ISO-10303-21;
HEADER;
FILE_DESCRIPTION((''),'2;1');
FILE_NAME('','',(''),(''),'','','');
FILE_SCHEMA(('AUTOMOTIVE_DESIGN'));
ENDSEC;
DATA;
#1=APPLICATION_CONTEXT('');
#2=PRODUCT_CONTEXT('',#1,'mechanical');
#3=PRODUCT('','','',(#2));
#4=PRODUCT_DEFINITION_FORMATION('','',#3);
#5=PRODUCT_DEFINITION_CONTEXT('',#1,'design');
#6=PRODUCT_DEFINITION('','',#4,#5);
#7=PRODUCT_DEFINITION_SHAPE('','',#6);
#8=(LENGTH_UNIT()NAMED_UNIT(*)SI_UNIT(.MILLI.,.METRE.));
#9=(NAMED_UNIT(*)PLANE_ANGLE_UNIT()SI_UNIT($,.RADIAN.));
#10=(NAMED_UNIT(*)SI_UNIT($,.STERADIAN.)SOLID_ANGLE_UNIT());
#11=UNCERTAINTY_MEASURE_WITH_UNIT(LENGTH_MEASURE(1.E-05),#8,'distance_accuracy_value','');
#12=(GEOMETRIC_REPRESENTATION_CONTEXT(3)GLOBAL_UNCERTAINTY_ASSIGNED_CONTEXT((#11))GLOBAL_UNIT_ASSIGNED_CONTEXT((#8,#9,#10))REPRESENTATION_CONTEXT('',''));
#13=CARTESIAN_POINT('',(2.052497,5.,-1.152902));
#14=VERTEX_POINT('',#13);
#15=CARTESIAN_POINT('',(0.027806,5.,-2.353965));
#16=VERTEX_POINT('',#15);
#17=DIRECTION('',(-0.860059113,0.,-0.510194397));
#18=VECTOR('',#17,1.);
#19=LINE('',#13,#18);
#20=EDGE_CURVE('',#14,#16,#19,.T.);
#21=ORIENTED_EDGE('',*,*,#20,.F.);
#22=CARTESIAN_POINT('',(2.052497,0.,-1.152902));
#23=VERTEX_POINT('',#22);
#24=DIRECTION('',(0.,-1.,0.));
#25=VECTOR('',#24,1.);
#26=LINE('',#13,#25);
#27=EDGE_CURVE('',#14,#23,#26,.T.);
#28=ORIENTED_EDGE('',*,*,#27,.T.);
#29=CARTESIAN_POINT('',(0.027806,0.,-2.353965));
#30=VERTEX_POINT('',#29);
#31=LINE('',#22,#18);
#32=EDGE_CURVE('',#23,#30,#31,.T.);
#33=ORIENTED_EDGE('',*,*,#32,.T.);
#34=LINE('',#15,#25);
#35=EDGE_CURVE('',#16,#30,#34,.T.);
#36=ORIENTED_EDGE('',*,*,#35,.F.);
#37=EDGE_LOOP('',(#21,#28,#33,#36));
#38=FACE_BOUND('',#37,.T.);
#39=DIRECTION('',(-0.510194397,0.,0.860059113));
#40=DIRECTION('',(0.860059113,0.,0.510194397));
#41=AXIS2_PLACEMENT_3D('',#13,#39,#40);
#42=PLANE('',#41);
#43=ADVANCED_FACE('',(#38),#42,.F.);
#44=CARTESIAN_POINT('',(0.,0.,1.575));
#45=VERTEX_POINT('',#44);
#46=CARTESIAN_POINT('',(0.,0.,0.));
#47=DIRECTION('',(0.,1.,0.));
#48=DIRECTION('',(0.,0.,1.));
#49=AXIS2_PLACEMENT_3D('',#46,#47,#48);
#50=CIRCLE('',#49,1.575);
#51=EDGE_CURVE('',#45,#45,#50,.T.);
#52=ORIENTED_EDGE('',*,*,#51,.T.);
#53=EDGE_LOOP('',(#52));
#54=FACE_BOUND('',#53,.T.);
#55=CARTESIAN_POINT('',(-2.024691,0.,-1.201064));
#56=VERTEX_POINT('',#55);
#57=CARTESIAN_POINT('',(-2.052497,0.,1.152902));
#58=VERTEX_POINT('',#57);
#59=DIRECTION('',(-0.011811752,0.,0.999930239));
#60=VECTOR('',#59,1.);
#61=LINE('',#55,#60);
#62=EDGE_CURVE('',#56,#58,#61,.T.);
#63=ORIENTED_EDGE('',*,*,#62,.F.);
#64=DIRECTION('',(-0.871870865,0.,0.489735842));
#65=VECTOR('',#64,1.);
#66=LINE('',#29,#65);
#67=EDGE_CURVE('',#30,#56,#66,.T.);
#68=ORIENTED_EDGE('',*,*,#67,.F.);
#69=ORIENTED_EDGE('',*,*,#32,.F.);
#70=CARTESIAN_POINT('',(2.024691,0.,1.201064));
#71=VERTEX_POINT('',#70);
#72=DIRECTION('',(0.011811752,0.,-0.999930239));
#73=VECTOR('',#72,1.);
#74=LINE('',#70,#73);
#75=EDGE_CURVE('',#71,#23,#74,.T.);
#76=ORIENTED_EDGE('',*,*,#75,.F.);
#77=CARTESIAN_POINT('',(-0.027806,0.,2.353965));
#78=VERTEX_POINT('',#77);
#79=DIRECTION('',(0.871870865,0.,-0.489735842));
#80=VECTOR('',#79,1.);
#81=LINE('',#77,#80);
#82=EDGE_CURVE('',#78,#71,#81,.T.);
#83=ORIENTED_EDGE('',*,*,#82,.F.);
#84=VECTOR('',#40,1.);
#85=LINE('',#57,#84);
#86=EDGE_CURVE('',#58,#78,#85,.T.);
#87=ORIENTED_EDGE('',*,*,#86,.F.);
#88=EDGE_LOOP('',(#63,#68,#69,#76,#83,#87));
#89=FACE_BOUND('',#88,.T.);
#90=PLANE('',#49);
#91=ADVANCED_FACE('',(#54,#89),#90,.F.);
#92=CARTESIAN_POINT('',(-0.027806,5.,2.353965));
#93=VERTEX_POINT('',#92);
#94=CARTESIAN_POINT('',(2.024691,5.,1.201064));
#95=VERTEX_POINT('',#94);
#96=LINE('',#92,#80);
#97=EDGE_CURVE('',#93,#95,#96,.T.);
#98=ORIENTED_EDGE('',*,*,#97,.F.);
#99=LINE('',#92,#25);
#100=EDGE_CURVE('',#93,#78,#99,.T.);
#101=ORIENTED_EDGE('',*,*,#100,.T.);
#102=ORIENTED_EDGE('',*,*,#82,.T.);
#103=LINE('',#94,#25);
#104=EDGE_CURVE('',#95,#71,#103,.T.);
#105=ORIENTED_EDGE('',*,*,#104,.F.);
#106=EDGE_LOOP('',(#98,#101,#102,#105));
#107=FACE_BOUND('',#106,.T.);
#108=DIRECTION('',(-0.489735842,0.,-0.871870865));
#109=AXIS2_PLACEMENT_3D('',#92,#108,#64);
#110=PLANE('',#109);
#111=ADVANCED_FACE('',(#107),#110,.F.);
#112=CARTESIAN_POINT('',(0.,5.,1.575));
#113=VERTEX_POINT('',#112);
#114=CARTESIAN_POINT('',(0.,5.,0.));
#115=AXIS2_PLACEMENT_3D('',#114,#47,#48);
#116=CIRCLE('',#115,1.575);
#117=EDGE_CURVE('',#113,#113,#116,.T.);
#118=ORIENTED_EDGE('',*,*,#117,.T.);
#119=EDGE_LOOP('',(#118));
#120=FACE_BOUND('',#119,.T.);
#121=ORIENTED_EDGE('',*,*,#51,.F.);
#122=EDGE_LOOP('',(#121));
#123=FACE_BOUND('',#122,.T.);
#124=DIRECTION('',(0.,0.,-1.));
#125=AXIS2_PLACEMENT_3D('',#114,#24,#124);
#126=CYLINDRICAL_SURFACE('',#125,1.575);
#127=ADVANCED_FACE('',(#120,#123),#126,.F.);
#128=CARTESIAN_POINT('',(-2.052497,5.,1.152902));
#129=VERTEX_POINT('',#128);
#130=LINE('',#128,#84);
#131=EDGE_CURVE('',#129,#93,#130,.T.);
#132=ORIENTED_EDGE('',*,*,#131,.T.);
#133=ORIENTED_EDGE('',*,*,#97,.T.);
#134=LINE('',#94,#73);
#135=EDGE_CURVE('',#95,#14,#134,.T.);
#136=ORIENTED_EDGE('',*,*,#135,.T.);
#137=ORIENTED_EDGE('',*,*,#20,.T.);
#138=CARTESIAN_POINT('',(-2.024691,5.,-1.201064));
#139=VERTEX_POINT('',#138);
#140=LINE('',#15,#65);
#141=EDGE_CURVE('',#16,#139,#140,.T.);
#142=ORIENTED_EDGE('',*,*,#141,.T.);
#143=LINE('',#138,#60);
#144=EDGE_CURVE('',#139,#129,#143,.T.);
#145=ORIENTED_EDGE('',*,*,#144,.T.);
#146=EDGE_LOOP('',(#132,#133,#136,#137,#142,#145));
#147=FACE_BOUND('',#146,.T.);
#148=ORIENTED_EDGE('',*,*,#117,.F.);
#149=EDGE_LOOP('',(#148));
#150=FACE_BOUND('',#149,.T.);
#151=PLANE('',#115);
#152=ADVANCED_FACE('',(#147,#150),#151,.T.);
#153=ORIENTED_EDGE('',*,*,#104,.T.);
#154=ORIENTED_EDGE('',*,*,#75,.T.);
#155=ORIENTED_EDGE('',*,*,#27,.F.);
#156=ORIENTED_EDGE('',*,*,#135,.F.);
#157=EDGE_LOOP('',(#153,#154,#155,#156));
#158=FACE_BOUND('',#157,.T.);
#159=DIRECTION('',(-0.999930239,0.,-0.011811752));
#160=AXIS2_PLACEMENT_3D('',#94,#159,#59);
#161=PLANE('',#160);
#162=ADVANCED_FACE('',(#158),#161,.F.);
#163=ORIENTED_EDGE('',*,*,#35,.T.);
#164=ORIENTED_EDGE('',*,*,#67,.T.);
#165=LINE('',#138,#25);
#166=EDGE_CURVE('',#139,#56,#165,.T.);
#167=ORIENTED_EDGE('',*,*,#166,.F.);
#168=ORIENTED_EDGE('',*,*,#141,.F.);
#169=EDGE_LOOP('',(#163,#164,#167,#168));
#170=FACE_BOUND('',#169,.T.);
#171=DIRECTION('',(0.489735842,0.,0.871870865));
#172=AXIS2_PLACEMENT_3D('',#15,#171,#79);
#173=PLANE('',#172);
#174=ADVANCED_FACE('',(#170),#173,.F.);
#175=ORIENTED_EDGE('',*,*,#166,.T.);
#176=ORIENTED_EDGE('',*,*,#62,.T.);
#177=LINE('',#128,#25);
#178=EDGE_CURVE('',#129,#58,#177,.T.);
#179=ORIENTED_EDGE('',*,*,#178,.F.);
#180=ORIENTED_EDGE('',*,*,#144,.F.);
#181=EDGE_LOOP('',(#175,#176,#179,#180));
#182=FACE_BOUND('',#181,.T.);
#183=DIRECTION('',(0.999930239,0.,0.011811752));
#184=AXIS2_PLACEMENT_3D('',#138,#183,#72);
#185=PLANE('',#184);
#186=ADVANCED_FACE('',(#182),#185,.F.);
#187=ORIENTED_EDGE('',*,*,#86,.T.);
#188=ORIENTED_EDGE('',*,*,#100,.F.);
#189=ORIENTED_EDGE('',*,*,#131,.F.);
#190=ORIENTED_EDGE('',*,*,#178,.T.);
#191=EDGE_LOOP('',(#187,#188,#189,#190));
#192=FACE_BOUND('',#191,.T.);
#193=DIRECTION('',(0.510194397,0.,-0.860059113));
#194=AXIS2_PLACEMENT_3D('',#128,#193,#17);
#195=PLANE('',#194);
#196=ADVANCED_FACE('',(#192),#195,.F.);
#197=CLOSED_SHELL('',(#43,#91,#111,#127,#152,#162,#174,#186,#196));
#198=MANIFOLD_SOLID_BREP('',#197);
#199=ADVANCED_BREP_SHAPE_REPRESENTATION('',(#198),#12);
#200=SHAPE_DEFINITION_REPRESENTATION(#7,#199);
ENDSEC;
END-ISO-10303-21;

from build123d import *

# Parameters (mm, degrees)
SKETCH1_R           = 1.575
BOSS_EXTRUDE1_DEPTH = 5


with BuildPart() as part:
    # Sketch1 → Boss-Extrude1 (new body)
    with BuildSketch(Plane(origin=(0, 0, 0), x_dir=(1, 0, 0), z_dir=(0, 1, 0))):
        Polygon((2.024690694, -1.201063778), (2.05249709, 1.152901687), (0.027806396, 2.353965465), (-2.024690694, 1.201063778), (-2.05249709, -1.152901687), (-0.027806396, -2.353965465), align=None)
        with Locations(Location((0, 0, 0), (0, 0, 270))):
            Circle(SKETCH1_R, mode=Mode.SUBTRACT)
    extrude(amount=BOSS_EXTRUDE1_DEPTH)


solid = part.part
